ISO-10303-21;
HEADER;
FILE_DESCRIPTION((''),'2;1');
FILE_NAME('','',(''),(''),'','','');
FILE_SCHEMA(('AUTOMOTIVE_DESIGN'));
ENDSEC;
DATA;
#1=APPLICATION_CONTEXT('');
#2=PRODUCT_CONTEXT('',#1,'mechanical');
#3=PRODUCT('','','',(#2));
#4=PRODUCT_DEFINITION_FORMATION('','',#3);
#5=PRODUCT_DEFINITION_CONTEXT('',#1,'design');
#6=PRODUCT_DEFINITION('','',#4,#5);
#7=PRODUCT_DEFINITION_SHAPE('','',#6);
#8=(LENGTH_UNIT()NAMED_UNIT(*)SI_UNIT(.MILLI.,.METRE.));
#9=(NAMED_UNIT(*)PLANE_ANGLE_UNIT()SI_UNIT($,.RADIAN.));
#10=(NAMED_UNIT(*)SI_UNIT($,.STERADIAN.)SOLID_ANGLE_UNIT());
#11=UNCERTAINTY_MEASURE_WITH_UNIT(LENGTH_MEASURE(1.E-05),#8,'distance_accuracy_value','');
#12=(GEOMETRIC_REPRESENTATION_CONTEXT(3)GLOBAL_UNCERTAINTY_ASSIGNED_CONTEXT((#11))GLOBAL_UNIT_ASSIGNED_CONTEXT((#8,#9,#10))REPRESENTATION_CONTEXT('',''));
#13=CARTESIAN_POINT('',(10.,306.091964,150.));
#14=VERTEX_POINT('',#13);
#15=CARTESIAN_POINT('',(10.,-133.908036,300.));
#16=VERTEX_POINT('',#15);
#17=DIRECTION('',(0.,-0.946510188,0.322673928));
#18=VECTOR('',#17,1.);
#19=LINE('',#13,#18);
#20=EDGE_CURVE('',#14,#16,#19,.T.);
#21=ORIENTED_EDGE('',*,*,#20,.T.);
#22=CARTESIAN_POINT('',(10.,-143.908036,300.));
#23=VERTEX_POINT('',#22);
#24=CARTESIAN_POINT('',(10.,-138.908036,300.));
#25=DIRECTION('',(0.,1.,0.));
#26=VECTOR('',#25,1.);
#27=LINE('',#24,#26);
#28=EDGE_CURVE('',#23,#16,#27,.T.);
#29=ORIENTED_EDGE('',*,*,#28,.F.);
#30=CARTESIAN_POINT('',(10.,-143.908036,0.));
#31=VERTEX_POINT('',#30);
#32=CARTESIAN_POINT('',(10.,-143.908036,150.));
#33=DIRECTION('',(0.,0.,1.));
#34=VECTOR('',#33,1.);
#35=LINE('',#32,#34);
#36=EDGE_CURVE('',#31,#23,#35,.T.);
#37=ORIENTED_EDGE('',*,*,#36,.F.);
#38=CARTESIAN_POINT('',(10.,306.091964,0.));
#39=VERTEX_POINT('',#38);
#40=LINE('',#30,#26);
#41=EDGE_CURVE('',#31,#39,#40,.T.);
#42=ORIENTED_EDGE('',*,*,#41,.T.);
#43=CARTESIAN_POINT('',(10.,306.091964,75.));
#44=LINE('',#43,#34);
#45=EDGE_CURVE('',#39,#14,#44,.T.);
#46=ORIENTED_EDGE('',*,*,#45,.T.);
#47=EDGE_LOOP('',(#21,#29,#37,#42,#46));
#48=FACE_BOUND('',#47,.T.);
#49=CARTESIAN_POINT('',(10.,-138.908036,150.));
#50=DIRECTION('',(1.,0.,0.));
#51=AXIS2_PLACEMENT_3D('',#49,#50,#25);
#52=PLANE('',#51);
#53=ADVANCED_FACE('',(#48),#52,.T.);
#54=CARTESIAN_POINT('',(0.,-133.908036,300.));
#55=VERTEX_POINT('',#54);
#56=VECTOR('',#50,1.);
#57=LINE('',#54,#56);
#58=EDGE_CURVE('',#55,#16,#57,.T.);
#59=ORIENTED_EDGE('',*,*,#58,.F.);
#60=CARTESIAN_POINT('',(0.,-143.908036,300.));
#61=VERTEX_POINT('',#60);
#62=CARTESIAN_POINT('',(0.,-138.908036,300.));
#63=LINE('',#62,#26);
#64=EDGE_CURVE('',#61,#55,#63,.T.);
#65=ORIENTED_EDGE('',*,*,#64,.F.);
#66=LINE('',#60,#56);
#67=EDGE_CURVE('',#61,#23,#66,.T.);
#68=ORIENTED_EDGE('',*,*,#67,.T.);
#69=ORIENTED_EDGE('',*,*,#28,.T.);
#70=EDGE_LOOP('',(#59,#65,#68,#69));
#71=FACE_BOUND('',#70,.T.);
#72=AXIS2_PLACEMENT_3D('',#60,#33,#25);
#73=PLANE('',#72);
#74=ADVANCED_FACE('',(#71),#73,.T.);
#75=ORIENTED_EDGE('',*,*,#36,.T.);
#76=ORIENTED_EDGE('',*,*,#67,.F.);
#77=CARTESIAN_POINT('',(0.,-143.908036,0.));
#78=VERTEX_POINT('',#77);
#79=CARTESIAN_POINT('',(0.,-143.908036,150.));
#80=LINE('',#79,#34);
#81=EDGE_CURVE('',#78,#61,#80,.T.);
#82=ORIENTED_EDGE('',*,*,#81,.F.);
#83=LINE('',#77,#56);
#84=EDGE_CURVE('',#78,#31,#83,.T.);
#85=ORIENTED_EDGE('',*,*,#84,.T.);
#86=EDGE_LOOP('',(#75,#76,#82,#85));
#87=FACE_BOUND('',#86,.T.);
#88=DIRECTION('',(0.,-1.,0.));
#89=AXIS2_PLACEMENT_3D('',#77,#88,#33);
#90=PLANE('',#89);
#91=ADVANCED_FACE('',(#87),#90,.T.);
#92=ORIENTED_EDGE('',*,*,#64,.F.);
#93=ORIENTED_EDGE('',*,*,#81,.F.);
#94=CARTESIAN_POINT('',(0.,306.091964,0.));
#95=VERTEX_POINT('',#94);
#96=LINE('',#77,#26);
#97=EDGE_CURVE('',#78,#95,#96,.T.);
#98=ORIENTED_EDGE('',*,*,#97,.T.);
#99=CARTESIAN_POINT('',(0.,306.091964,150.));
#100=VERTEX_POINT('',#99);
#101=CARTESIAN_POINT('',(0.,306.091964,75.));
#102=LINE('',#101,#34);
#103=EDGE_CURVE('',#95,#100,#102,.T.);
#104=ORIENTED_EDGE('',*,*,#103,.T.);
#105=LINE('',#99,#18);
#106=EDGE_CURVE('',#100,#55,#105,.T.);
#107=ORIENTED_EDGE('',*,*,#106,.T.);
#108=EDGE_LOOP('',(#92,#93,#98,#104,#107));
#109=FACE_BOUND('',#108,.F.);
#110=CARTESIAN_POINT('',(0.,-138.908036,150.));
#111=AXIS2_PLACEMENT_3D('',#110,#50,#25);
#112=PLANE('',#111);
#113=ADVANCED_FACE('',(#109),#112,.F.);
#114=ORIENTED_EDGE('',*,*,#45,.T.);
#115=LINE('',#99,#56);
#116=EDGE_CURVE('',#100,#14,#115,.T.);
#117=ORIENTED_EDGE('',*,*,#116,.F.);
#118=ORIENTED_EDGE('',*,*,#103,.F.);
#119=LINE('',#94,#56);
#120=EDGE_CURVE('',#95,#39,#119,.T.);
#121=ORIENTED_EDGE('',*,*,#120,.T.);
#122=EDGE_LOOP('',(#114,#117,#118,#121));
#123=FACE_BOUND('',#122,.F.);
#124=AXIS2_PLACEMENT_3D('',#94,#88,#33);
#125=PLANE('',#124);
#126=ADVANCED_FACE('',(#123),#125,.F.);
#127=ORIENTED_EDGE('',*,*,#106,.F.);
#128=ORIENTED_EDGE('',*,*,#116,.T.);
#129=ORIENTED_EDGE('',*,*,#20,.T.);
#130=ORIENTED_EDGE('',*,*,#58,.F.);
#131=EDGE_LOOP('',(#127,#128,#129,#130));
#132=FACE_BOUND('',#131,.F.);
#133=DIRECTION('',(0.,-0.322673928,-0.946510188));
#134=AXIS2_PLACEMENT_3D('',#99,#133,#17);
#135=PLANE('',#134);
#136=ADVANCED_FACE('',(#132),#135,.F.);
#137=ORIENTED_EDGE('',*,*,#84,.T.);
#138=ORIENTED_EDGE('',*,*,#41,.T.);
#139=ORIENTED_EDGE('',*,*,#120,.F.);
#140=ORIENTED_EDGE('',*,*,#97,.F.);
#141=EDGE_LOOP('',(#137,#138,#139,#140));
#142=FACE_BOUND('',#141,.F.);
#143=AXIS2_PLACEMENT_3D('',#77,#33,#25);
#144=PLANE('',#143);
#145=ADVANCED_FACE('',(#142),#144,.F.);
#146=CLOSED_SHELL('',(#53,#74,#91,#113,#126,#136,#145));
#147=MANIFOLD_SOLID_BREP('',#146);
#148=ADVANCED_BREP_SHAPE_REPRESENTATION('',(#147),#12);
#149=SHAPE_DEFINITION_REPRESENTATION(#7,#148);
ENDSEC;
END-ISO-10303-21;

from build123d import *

# Parameters (mm, degrees)
F0_W     = 10
F0_H     = 300
F0_W_2   = 188.557307
F0_H_2   = 150
F1_DEPTH = 10


with BuildPart() as f1:
    # F0 (on Right) → F1 (new body)
    with BuildSketch(Plane.YZ):
        with Locations((-138.908036, 150)):
            Rectangle(F0_W, F0_H)
        Polygon((-133.908036, 300), (-133.908036, 0), (117.534657, 0), (117.534657, 150), (306.091964, 150), align=None)
        with Locations((211.81331, 75)):
            Rectangle(F0_W_2, F0_H_2)
    extrude(amount=F1_DEPTH)


solid = f1.part
